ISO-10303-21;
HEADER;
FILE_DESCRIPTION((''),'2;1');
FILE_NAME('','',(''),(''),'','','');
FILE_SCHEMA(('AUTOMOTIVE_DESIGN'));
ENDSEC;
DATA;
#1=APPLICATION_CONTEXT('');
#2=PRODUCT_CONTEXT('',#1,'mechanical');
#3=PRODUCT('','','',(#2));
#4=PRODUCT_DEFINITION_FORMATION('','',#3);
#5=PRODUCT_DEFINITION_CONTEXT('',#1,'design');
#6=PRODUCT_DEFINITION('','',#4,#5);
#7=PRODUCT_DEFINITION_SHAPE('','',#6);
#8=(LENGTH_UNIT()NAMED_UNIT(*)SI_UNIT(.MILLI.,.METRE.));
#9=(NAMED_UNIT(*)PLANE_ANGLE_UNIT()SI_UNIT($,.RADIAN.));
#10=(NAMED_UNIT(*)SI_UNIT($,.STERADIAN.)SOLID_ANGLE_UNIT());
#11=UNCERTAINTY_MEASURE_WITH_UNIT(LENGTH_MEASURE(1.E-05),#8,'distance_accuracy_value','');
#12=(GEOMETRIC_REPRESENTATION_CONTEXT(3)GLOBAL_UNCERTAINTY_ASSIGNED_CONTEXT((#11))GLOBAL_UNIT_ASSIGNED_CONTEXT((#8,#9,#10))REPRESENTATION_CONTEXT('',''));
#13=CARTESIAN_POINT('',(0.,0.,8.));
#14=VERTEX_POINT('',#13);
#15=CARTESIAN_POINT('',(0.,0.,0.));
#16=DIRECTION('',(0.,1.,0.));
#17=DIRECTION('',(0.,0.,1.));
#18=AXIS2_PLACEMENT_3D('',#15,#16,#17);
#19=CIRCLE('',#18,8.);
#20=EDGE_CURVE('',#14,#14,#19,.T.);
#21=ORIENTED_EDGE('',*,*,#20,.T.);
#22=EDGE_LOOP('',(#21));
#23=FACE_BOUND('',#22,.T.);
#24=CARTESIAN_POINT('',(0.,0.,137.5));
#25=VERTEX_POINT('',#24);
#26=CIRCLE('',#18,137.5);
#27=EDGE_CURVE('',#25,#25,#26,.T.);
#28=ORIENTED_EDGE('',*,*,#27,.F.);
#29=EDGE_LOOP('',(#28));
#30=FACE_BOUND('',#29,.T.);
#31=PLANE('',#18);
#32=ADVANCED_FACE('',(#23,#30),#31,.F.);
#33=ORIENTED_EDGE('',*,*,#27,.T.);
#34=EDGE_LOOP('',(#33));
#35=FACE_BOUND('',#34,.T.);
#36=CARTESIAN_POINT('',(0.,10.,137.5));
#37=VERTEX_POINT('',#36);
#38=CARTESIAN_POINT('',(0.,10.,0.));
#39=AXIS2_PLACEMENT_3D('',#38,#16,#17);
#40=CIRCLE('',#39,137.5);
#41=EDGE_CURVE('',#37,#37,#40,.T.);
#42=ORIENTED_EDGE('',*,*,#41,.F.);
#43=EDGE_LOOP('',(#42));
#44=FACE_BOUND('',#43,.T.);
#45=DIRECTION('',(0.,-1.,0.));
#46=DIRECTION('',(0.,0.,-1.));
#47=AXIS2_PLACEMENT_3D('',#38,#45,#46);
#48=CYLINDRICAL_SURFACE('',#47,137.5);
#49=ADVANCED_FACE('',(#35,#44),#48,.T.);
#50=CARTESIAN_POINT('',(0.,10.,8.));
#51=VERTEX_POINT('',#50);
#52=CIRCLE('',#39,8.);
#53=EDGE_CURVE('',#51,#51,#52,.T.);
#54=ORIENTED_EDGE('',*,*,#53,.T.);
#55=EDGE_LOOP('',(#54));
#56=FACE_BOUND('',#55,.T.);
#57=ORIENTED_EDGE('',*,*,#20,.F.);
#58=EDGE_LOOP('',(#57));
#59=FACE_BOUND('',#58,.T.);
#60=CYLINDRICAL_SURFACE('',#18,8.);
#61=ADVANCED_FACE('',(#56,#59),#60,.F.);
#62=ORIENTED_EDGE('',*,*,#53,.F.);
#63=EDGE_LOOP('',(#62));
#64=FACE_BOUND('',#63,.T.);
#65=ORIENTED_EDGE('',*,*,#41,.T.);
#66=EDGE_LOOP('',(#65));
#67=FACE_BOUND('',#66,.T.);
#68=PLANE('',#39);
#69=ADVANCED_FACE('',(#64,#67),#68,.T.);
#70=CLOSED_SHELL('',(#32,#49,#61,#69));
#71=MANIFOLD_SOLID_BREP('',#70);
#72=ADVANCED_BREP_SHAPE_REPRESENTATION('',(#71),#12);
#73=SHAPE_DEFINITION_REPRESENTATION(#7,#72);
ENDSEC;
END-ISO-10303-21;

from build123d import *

# Parameters (mm, degrees)
SKETCH2_R           = 137.5
BOSS_EXTRUDE1_DEPTH = 10
SKETCH4_R           = 8
CUT_EXTRUDE1_DEPTH  = 11


with BuildPart() as part:
    # Sketch2 → Boss-Extrude1 (new body)
    with BuildSketch(Plane(origin=(0, 0, 0), x_dir=(1, 0, 0), z_dir=(0, 1, 0))):
        Circle(SKETCH2_R)
    extrude(amount=BOSS_EXTRUDE1_DEPTH)

    # Sketch4 → Cut-Extrude1 (cut, through all)
    with BuildSketch(Plane(origin=(0, 10, 0), x_dir=(1, 0, 0), z_dir=(0, 1, 0))):
        Circle(SKETCH4_R)
    extrude(amount=-CUT_EXTRUDE1_DEPTH, mode=Mode.SUBTRACT)


solid = part.part
